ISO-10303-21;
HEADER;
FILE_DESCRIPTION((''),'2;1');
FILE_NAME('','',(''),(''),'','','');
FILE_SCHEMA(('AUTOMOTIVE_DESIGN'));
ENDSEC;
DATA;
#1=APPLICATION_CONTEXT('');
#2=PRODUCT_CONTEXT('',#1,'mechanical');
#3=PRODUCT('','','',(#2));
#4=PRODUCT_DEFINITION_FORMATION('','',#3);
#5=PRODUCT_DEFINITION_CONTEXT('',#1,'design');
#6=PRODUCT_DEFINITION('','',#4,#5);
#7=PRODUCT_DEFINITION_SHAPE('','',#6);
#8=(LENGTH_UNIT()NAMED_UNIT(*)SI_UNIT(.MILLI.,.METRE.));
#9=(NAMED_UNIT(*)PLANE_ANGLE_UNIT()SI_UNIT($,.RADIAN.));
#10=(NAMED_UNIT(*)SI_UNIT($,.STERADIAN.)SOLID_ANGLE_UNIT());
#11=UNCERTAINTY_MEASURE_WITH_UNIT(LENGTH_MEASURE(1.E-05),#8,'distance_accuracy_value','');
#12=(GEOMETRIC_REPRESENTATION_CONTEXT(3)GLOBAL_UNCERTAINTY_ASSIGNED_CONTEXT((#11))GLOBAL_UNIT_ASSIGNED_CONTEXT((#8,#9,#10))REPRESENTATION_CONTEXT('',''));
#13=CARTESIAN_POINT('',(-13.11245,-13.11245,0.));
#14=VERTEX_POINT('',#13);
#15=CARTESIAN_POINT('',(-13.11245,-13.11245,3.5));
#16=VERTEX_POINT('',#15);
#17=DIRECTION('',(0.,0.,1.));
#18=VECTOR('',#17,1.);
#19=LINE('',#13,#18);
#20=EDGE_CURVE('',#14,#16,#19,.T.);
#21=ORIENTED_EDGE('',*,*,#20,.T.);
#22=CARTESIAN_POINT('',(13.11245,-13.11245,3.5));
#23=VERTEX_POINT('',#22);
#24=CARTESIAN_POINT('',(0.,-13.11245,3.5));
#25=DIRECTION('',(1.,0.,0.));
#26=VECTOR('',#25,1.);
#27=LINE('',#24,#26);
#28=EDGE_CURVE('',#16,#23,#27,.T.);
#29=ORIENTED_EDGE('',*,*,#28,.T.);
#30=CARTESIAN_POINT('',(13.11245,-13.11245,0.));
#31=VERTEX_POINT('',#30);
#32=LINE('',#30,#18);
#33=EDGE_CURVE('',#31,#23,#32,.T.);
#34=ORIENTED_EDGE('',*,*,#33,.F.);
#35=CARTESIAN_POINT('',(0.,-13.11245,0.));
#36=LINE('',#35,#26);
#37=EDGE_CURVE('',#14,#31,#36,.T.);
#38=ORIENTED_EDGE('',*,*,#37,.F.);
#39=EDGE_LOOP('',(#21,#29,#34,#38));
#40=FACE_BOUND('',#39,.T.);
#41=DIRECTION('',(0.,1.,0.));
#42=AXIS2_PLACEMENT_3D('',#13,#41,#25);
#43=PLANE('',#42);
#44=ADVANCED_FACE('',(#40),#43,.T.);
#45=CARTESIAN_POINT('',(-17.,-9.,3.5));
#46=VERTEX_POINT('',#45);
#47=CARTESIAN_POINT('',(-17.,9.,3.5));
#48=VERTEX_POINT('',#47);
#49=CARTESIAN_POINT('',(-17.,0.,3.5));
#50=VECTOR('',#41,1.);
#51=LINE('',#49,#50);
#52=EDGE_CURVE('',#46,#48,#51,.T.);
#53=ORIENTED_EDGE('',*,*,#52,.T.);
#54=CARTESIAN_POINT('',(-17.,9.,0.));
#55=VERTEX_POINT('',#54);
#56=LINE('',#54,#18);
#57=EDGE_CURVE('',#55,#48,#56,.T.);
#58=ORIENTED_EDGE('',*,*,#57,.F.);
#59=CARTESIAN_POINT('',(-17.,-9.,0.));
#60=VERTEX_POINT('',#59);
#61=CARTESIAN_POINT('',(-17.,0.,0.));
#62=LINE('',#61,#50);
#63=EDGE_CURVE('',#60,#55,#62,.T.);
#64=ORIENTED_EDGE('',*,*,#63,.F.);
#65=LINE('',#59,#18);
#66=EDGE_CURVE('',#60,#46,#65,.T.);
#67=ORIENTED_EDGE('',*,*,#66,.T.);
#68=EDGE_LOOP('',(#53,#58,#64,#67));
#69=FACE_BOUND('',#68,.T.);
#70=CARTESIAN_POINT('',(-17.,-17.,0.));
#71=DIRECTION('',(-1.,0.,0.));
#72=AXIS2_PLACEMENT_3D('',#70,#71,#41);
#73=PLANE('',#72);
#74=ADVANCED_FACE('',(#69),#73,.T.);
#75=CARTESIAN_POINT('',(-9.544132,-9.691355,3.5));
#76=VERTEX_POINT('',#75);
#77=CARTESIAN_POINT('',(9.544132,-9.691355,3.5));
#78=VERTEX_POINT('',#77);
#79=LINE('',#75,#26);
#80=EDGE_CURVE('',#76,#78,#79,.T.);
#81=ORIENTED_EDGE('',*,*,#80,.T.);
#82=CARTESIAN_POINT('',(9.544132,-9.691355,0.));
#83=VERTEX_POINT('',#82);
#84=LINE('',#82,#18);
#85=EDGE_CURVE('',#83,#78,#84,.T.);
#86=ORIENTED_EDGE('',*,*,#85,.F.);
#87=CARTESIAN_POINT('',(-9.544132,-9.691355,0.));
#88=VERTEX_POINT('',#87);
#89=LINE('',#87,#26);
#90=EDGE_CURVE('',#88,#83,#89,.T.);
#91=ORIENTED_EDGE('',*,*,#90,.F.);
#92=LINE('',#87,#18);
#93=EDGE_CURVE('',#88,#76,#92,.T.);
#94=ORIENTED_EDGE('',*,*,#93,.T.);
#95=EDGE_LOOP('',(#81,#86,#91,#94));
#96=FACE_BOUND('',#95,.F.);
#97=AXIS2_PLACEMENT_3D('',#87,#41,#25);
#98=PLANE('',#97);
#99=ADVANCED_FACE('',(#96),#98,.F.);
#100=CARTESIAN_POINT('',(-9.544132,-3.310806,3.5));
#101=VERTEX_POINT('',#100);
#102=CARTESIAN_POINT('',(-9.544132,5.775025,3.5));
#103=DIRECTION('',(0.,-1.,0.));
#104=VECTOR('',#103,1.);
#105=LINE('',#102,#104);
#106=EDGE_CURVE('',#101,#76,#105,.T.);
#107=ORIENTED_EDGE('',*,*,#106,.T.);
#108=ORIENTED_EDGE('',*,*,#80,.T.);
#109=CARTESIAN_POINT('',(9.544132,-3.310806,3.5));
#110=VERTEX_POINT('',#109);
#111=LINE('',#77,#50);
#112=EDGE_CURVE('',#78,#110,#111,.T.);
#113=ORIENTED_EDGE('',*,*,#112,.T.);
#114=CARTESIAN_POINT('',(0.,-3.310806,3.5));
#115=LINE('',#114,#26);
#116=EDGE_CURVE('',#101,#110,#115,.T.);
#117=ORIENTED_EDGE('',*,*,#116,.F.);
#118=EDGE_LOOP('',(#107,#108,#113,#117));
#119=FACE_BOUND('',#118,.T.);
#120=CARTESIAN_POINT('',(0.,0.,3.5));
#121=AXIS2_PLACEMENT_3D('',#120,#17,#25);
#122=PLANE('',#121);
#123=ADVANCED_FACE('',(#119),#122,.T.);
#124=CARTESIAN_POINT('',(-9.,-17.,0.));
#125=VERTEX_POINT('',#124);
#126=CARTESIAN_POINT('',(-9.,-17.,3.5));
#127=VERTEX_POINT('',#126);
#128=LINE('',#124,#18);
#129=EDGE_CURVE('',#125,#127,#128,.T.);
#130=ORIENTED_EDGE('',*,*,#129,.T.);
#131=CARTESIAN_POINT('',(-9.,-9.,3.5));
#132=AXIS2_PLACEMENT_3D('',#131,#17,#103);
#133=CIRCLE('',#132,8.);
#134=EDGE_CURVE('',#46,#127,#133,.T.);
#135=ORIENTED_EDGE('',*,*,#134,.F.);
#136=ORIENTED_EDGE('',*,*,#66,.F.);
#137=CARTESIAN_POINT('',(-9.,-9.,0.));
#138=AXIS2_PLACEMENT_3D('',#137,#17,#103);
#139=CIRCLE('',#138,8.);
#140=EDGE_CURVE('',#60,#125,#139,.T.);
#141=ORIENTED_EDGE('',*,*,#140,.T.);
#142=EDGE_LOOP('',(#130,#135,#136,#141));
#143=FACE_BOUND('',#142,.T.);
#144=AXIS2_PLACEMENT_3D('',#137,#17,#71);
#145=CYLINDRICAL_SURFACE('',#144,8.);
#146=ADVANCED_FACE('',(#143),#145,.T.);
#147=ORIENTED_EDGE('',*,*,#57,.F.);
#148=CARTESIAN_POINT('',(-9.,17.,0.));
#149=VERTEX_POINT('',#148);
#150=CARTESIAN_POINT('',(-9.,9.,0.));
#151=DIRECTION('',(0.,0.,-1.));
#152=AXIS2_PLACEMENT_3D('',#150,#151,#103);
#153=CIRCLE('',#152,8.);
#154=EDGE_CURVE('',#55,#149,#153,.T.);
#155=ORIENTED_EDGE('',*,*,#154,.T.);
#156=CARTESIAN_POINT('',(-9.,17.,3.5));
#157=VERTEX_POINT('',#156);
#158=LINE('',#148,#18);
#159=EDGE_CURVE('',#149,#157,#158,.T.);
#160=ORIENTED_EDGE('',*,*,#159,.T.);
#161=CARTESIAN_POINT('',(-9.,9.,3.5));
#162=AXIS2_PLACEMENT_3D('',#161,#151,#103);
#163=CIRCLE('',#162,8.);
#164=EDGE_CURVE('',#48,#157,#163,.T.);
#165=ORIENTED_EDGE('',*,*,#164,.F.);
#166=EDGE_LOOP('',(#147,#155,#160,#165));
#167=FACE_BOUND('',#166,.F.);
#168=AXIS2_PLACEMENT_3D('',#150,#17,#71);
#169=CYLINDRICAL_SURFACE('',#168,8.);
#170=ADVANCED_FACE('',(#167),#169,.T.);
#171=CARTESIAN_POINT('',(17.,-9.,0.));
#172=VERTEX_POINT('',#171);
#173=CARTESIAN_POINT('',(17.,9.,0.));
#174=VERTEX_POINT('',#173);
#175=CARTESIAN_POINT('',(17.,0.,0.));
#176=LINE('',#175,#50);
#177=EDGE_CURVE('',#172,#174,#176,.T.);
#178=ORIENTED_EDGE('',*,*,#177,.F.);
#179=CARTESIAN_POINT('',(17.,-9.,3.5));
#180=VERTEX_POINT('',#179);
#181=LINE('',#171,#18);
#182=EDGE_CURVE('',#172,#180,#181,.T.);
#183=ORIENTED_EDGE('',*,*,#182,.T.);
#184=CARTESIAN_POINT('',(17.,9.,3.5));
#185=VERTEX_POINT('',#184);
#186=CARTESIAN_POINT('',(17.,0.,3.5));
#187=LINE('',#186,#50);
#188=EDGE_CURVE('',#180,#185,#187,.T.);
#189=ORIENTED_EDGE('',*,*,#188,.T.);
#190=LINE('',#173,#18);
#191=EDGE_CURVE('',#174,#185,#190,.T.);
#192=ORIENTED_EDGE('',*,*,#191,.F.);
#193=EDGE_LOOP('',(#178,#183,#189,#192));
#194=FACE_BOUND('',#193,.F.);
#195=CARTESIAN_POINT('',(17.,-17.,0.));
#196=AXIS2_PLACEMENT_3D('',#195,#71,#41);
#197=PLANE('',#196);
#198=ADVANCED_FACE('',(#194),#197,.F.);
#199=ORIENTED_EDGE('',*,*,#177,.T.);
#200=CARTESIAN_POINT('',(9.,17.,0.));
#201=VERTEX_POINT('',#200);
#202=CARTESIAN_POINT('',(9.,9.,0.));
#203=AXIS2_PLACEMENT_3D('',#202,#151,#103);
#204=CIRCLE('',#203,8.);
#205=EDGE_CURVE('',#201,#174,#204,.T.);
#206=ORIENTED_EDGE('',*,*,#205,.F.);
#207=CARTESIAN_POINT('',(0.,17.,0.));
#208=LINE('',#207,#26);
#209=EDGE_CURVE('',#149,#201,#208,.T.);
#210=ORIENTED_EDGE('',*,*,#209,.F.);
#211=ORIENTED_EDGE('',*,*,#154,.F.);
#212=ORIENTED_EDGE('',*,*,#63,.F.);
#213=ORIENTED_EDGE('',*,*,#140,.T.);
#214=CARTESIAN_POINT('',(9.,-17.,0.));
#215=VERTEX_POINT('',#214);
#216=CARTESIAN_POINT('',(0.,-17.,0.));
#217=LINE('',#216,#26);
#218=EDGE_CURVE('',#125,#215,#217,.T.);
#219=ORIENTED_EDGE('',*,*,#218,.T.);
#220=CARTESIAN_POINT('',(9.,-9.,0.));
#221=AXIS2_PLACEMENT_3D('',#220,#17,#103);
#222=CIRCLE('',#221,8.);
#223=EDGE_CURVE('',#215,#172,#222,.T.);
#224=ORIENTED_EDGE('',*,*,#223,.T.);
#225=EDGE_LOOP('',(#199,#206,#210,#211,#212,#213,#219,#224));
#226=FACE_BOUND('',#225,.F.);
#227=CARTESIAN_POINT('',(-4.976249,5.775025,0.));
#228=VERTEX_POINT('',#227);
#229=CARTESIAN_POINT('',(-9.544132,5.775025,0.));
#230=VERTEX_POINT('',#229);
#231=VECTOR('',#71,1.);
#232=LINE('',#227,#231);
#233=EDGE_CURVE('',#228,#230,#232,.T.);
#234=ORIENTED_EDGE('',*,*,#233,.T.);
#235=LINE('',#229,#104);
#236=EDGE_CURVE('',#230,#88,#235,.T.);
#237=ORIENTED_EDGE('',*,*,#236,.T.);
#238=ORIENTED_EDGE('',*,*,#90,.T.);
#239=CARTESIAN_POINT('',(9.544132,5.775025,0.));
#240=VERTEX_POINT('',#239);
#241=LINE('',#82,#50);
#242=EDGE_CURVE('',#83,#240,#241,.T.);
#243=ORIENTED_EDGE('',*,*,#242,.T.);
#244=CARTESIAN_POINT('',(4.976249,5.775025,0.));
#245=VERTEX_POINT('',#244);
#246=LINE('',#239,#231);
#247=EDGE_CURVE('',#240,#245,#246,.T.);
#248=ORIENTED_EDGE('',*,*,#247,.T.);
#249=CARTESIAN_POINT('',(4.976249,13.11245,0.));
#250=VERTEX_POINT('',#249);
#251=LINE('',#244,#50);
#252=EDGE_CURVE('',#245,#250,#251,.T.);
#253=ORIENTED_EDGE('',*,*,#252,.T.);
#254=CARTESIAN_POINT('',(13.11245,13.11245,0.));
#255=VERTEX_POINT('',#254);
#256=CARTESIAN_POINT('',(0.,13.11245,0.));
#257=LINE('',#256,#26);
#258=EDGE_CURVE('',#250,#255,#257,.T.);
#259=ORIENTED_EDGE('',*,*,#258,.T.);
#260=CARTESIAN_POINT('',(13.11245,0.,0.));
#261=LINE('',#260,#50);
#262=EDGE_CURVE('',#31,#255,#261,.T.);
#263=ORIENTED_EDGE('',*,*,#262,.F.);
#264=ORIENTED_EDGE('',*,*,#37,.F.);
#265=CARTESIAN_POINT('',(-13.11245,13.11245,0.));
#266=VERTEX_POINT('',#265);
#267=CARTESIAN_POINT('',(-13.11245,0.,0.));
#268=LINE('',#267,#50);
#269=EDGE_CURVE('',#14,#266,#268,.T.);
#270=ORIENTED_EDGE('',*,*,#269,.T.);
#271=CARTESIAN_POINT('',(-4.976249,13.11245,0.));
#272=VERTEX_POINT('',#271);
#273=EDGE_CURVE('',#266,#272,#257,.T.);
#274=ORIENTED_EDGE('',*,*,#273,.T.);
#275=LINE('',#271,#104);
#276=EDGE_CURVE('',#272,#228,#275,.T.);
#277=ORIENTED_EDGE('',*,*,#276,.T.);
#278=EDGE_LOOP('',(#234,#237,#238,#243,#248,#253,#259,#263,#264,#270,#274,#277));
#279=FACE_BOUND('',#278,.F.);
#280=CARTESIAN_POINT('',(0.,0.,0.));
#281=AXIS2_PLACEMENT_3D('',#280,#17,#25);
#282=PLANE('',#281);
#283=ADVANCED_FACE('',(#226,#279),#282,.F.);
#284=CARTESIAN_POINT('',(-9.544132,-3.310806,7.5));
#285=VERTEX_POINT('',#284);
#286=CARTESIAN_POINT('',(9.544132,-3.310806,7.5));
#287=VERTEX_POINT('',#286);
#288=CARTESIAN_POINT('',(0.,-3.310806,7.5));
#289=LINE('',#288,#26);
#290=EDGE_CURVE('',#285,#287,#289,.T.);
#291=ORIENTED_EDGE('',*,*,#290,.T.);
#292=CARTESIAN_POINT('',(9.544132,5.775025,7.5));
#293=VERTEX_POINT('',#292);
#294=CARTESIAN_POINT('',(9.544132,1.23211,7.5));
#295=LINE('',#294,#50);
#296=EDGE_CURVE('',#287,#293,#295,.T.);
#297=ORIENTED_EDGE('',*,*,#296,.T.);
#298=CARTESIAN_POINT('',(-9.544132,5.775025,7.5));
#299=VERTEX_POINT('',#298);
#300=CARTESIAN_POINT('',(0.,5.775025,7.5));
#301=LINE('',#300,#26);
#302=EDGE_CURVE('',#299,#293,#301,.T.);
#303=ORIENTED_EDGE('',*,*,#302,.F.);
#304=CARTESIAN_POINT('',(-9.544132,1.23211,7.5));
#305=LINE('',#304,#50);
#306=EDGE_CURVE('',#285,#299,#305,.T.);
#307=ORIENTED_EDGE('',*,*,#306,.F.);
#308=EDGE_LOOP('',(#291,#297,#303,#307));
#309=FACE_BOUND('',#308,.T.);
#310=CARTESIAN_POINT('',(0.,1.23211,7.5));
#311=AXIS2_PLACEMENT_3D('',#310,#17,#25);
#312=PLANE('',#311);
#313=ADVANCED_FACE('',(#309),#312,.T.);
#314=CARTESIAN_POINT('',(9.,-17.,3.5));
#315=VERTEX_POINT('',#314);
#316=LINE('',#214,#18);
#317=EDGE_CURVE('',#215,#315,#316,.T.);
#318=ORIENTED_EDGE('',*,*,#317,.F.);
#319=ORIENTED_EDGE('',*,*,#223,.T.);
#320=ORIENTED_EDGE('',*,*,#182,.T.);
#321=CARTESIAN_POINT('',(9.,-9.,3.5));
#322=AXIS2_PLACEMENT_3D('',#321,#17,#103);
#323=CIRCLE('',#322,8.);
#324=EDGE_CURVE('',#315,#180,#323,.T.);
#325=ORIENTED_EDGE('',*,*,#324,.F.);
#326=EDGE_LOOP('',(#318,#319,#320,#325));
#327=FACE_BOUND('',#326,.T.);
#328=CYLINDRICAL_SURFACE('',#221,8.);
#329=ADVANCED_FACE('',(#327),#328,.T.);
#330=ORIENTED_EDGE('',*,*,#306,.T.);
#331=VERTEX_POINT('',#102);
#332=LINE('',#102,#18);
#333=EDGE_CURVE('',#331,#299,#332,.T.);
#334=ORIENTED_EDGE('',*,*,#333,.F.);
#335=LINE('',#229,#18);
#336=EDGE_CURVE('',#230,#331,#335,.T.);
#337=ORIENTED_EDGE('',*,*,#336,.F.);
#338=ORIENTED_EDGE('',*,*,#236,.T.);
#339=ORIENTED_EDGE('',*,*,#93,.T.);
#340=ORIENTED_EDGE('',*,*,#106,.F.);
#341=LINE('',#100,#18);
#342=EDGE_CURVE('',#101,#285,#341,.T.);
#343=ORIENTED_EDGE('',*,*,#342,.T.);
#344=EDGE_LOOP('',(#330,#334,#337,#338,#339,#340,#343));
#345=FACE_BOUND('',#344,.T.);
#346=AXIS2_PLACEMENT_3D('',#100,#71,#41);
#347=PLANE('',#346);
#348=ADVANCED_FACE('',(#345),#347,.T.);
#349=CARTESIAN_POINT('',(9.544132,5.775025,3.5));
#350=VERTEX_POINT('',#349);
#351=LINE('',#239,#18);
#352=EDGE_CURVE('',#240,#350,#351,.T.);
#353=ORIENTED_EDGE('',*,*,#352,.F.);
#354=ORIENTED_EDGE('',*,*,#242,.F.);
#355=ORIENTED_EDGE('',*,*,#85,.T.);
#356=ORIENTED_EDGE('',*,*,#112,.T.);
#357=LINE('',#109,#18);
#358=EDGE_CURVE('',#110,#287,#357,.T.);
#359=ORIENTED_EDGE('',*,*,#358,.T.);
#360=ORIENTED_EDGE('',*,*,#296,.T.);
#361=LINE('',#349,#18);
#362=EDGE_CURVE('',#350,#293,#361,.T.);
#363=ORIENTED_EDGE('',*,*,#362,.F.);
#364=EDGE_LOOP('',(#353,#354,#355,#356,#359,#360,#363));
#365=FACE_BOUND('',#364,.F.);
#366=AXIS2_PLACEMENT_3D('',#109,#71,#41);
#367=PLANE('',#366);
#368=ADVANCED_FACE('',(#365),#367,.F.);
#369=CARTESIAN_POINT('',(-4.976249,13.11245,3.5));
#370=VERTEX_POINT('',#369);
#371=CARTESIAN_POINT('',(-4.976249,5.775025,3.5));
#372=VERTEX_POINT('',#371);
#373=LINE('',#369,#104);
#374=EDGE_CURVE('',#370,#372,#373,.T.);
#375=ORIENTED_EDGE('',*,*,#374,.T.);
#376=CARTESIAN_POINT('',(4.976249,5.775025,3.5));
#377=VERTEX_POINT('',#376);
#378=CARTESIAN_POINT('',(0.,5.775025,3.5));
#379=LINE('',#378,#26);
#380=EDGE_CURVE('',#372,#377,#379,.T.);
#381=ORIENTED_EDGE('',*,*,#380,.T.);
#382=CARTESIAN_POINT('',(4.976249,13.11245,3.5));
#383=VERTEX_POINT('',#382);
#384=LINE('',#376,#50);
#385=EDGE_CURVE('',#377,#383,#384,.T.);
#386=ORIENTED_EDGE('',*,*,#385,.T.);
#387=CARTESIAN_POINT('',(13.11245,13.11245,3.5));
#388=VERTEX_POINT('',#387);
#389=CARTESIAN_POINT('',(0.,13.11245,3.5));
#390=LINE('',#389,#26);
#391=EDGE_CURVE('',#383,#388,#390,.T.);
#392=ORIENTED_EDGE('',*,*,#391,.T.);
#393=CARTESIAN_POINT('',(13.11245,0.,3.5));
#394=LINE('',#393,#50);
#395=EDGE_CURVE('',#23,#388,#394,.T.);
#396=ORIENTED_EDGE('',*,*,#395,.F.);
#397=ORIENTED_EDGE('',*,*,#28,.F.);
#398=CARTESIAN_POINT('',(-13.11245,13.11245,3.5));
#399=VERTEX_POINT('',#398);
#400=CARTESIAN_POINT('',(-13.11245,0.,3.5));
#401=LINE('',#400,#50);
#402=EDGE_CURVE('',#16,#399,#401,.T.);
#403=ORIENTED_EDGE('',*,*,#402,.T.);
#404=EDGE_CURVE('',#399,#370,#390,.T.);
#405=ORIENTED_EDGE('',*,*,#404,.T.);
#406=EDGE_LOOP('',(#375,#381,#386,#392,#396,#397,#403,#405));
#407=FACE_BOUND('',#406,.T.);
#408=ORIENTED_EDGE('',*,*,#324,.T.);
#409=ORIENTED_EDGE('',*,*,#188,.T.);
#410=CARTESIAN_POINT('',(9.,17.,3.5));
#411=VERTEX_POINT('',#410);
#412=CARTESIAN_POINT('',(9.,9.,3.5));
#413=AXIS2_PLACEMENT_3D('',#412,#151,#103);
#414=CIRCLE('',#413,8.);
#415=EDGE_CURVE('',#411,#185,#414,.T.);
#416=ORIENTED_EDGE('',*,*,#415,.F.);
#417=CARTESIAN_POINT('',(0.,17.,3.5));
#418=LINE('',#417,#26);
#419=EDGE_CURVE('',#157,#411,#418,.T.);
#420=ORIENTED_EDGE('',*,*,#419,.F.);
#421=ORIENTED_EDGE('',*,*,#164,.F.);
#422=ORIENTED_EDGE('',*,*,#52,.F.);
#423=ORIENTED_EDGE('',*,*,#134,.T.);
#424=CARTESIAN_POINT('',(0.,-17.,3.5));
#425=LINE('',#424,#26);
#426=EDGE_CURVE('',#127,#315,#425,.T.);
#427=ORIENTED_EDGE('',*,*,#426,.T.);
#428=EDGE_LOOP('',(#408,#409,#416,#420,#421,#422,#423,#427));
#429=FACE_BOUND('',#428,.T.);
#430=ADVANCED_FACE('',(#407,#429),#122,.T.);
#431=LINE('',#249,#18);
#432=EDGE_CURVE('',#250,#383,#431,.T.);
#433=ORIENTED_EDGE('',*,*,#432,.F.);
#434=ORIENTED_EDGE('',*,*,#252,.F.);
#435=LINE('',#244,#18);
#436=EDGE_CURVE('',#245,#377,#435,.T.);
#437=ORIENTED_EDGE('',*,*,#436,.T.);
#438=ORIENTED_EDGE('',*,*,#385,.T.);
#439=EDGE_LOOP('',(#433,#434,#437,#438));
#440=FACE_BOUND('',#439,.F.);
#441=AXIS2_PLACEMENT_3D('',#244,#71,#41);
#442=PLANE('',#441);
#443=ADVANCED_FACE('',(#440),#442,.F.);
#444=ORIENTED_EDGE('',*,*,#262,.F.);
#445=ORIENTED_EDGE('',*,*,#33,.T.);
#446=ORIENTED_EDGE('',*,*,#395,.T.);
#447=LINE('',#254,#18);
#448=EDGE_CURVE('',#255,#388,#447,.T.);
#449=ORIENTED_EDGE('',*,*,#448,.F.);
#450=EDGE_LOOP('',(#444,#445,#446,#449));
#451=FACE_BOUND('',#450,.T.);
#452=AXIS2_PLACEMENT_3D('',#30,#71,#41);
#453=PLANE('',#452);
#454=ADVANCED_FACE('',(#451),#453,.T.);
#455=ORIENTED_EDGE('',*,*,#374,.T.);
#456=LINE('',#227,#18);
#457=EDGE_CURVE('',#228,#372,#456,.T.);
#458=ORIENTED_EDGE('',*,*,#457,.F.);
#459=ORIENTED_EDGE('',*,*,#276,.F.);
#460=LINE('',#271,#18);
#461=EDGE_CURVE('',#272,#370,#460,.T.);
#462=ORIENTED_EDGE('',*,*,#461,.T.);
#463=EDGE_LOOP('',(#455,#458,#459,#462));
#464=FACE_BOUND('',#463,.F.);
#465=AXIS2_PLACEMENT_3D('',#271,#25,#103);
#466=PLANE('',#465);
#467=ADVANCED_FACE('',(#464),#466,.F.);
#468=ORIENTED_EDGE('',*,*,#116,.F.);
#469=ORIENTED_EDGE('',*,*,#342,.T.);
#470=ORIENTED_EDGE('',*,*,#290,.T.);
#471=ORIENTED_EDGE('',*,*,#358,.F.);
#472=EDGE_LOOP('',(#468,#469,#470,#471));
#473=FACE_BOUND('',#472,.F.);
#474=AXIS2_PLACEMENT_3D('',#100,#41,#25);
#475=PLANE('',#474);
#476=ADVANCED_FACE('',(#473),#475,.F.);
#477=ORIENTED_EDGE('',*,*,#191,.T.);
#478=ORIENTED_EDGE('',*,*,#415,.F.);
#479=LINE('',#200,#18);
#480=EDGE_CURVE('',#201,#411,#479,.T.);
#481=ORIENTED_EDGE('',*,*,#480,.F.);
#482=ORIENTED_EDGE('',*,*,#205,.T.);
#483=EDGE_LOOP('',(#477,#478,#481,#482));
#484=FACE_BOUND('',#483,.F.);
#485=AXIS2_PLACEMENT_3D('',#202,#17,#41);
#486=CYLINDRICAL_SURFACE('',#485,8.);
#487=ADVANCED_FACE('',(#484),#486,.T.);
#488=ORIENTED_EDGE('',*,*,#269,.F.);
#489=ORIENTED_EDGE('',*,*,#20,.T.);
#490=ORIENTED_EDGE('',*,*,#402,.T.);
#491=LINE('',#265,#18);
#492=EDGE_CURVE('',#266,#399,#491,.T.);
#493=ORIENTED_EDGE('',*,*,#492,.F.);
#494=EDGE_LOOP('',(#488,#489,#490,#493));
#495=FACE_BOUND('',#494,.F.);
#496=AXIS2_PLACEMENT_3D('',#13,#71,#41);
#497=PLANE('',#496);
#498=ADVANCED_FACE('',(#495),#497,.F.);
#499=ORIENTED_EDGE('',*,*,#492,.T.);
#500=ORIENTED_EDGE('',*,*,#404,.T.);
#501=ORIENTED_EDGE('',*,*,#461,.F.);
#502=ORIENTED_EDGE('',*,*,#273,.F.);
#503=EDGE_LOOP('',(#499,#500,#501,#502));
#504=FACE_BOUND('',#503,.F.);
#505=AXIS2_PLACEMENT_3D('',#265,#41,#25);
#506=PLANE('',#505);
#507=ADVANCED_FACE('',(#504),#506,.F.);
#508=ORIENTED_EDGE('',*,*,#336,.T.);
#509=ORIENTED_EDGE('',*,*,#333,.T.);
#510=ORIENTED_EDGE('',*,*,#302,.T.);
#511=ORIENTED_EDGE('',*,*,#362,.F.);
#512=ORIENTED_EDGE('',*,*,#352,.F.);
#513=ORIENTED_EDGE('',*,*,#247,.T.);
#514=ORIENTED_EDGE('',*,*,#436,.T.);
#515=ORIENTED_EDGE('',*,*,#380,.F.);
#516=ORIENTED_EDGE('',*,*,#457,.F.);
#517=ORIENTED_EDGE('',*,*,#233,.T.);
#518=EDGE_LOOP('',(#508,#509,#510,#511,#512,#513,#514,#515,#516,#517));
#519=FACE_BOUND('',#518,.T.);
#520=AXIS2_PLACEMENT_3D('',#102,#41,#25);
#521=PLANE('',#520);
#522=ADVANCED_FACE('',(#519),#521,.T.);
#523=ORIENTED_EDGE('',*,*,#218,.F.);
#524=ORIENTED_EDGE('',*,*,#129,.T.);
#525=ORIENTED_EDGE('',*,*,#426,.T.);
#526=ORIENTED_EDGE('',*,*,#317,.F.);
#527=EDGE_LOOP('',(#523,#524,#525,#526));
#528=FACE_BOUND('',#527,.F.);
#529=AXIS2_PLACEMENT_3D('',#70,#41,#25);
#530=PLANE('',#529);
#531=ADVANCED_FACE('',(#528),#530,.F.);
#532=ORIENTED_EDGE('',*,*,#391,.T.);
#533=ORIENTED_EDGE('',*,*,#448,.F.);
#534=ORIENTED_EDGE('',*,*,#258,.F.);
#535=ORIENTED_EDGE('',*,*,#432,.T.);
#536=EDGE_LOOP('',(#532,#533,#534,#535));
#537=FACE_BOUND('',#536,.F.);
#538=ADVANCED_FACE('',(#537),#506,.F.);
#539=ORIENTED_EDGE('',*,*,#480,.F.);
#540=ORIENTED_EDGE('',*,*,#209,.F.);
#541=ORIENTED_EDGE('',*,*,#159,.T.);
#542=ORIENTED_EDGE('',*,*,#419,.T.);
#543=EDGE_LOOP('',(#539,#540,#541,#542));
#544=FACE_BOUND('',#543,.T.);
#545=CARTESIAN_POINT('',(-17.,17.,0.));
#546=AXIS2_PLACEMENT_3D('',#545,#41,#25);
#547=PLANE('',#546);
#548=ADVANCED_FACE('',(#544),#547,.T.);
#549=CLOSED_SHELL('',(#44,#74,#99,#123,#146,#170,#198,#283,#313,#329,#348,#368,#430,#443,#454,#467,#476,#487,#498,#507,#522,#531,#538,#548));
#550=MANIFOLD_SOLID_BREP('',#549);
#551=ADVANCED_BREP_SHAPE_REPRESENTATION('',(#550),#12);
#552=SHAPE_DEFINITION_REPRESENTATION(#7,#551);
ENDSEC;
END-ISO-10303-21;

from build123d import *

# Parameters (mm, degrees)
SKETCH2_W           = 34
SKETCH2_H           = 34
SKETCH2_W_2         = 26.224899522
SKETCH2_H_2         = 26.224899522
BOSS_EXTRUDE1_DEPTH = 3.5
SKETCH4_W           = 19.088264776
SKETCH4_H           = 9.085831195
BOSS_EXTRUDE2_DEPTH = 4
FILLET1_R           = 8


with BuildPart() as part:
    # Sketch2 → Boss-Extrude1 (new body)
    # profile 1 of 2: a face of its own
    with BuildSketch(Plane.XY):
        Rectangle(SKETCH2_W, SKETCH2_H)
        Rectangle(SKETCH2_W_2, SKETCH2_H_2, mode=Mode.SUBTRACT)
    # profile 2 of 2: a face of its own
    with BuildSketch(Plane.XY):
        Polygon((4.976248984, 13.112449761), (-4.976248984, 13.112449761), (-4.976248984, 5.775025294), (-9.544132388, 5.775025294), (-9.544132388, -9.69135518), (9.544132388, -9.69135518), (9.544132388, 5.775025294), (4.976248984, 5.775025294), align=None)
    extrude(amount=BOSS_EXTRUDE1_DEPTH)

    # Sketch4 → Boss-Extrude2 (add)
    with BuildSketch(Plane.XY.offset(3.5)):
        with Locations((0, 1.232109697)):
            Rectangle(SKETCH4_W, SKETCH4_H)
    extrude(amount=BOSS_EXTRUDE2_DEPTH)

    # Fillet1
    fillet1_edges = [part.edges().sort_by_distance(p)[0] for p in [
        (-17, 17, 1.75),
        (17, 17, 1.75),
        (17, -17, 1.75),
        (-17, -17, 1.75),
    ]]
    fillet(fillet1_edges, radius=FILLET1_R)


solid = part.part
